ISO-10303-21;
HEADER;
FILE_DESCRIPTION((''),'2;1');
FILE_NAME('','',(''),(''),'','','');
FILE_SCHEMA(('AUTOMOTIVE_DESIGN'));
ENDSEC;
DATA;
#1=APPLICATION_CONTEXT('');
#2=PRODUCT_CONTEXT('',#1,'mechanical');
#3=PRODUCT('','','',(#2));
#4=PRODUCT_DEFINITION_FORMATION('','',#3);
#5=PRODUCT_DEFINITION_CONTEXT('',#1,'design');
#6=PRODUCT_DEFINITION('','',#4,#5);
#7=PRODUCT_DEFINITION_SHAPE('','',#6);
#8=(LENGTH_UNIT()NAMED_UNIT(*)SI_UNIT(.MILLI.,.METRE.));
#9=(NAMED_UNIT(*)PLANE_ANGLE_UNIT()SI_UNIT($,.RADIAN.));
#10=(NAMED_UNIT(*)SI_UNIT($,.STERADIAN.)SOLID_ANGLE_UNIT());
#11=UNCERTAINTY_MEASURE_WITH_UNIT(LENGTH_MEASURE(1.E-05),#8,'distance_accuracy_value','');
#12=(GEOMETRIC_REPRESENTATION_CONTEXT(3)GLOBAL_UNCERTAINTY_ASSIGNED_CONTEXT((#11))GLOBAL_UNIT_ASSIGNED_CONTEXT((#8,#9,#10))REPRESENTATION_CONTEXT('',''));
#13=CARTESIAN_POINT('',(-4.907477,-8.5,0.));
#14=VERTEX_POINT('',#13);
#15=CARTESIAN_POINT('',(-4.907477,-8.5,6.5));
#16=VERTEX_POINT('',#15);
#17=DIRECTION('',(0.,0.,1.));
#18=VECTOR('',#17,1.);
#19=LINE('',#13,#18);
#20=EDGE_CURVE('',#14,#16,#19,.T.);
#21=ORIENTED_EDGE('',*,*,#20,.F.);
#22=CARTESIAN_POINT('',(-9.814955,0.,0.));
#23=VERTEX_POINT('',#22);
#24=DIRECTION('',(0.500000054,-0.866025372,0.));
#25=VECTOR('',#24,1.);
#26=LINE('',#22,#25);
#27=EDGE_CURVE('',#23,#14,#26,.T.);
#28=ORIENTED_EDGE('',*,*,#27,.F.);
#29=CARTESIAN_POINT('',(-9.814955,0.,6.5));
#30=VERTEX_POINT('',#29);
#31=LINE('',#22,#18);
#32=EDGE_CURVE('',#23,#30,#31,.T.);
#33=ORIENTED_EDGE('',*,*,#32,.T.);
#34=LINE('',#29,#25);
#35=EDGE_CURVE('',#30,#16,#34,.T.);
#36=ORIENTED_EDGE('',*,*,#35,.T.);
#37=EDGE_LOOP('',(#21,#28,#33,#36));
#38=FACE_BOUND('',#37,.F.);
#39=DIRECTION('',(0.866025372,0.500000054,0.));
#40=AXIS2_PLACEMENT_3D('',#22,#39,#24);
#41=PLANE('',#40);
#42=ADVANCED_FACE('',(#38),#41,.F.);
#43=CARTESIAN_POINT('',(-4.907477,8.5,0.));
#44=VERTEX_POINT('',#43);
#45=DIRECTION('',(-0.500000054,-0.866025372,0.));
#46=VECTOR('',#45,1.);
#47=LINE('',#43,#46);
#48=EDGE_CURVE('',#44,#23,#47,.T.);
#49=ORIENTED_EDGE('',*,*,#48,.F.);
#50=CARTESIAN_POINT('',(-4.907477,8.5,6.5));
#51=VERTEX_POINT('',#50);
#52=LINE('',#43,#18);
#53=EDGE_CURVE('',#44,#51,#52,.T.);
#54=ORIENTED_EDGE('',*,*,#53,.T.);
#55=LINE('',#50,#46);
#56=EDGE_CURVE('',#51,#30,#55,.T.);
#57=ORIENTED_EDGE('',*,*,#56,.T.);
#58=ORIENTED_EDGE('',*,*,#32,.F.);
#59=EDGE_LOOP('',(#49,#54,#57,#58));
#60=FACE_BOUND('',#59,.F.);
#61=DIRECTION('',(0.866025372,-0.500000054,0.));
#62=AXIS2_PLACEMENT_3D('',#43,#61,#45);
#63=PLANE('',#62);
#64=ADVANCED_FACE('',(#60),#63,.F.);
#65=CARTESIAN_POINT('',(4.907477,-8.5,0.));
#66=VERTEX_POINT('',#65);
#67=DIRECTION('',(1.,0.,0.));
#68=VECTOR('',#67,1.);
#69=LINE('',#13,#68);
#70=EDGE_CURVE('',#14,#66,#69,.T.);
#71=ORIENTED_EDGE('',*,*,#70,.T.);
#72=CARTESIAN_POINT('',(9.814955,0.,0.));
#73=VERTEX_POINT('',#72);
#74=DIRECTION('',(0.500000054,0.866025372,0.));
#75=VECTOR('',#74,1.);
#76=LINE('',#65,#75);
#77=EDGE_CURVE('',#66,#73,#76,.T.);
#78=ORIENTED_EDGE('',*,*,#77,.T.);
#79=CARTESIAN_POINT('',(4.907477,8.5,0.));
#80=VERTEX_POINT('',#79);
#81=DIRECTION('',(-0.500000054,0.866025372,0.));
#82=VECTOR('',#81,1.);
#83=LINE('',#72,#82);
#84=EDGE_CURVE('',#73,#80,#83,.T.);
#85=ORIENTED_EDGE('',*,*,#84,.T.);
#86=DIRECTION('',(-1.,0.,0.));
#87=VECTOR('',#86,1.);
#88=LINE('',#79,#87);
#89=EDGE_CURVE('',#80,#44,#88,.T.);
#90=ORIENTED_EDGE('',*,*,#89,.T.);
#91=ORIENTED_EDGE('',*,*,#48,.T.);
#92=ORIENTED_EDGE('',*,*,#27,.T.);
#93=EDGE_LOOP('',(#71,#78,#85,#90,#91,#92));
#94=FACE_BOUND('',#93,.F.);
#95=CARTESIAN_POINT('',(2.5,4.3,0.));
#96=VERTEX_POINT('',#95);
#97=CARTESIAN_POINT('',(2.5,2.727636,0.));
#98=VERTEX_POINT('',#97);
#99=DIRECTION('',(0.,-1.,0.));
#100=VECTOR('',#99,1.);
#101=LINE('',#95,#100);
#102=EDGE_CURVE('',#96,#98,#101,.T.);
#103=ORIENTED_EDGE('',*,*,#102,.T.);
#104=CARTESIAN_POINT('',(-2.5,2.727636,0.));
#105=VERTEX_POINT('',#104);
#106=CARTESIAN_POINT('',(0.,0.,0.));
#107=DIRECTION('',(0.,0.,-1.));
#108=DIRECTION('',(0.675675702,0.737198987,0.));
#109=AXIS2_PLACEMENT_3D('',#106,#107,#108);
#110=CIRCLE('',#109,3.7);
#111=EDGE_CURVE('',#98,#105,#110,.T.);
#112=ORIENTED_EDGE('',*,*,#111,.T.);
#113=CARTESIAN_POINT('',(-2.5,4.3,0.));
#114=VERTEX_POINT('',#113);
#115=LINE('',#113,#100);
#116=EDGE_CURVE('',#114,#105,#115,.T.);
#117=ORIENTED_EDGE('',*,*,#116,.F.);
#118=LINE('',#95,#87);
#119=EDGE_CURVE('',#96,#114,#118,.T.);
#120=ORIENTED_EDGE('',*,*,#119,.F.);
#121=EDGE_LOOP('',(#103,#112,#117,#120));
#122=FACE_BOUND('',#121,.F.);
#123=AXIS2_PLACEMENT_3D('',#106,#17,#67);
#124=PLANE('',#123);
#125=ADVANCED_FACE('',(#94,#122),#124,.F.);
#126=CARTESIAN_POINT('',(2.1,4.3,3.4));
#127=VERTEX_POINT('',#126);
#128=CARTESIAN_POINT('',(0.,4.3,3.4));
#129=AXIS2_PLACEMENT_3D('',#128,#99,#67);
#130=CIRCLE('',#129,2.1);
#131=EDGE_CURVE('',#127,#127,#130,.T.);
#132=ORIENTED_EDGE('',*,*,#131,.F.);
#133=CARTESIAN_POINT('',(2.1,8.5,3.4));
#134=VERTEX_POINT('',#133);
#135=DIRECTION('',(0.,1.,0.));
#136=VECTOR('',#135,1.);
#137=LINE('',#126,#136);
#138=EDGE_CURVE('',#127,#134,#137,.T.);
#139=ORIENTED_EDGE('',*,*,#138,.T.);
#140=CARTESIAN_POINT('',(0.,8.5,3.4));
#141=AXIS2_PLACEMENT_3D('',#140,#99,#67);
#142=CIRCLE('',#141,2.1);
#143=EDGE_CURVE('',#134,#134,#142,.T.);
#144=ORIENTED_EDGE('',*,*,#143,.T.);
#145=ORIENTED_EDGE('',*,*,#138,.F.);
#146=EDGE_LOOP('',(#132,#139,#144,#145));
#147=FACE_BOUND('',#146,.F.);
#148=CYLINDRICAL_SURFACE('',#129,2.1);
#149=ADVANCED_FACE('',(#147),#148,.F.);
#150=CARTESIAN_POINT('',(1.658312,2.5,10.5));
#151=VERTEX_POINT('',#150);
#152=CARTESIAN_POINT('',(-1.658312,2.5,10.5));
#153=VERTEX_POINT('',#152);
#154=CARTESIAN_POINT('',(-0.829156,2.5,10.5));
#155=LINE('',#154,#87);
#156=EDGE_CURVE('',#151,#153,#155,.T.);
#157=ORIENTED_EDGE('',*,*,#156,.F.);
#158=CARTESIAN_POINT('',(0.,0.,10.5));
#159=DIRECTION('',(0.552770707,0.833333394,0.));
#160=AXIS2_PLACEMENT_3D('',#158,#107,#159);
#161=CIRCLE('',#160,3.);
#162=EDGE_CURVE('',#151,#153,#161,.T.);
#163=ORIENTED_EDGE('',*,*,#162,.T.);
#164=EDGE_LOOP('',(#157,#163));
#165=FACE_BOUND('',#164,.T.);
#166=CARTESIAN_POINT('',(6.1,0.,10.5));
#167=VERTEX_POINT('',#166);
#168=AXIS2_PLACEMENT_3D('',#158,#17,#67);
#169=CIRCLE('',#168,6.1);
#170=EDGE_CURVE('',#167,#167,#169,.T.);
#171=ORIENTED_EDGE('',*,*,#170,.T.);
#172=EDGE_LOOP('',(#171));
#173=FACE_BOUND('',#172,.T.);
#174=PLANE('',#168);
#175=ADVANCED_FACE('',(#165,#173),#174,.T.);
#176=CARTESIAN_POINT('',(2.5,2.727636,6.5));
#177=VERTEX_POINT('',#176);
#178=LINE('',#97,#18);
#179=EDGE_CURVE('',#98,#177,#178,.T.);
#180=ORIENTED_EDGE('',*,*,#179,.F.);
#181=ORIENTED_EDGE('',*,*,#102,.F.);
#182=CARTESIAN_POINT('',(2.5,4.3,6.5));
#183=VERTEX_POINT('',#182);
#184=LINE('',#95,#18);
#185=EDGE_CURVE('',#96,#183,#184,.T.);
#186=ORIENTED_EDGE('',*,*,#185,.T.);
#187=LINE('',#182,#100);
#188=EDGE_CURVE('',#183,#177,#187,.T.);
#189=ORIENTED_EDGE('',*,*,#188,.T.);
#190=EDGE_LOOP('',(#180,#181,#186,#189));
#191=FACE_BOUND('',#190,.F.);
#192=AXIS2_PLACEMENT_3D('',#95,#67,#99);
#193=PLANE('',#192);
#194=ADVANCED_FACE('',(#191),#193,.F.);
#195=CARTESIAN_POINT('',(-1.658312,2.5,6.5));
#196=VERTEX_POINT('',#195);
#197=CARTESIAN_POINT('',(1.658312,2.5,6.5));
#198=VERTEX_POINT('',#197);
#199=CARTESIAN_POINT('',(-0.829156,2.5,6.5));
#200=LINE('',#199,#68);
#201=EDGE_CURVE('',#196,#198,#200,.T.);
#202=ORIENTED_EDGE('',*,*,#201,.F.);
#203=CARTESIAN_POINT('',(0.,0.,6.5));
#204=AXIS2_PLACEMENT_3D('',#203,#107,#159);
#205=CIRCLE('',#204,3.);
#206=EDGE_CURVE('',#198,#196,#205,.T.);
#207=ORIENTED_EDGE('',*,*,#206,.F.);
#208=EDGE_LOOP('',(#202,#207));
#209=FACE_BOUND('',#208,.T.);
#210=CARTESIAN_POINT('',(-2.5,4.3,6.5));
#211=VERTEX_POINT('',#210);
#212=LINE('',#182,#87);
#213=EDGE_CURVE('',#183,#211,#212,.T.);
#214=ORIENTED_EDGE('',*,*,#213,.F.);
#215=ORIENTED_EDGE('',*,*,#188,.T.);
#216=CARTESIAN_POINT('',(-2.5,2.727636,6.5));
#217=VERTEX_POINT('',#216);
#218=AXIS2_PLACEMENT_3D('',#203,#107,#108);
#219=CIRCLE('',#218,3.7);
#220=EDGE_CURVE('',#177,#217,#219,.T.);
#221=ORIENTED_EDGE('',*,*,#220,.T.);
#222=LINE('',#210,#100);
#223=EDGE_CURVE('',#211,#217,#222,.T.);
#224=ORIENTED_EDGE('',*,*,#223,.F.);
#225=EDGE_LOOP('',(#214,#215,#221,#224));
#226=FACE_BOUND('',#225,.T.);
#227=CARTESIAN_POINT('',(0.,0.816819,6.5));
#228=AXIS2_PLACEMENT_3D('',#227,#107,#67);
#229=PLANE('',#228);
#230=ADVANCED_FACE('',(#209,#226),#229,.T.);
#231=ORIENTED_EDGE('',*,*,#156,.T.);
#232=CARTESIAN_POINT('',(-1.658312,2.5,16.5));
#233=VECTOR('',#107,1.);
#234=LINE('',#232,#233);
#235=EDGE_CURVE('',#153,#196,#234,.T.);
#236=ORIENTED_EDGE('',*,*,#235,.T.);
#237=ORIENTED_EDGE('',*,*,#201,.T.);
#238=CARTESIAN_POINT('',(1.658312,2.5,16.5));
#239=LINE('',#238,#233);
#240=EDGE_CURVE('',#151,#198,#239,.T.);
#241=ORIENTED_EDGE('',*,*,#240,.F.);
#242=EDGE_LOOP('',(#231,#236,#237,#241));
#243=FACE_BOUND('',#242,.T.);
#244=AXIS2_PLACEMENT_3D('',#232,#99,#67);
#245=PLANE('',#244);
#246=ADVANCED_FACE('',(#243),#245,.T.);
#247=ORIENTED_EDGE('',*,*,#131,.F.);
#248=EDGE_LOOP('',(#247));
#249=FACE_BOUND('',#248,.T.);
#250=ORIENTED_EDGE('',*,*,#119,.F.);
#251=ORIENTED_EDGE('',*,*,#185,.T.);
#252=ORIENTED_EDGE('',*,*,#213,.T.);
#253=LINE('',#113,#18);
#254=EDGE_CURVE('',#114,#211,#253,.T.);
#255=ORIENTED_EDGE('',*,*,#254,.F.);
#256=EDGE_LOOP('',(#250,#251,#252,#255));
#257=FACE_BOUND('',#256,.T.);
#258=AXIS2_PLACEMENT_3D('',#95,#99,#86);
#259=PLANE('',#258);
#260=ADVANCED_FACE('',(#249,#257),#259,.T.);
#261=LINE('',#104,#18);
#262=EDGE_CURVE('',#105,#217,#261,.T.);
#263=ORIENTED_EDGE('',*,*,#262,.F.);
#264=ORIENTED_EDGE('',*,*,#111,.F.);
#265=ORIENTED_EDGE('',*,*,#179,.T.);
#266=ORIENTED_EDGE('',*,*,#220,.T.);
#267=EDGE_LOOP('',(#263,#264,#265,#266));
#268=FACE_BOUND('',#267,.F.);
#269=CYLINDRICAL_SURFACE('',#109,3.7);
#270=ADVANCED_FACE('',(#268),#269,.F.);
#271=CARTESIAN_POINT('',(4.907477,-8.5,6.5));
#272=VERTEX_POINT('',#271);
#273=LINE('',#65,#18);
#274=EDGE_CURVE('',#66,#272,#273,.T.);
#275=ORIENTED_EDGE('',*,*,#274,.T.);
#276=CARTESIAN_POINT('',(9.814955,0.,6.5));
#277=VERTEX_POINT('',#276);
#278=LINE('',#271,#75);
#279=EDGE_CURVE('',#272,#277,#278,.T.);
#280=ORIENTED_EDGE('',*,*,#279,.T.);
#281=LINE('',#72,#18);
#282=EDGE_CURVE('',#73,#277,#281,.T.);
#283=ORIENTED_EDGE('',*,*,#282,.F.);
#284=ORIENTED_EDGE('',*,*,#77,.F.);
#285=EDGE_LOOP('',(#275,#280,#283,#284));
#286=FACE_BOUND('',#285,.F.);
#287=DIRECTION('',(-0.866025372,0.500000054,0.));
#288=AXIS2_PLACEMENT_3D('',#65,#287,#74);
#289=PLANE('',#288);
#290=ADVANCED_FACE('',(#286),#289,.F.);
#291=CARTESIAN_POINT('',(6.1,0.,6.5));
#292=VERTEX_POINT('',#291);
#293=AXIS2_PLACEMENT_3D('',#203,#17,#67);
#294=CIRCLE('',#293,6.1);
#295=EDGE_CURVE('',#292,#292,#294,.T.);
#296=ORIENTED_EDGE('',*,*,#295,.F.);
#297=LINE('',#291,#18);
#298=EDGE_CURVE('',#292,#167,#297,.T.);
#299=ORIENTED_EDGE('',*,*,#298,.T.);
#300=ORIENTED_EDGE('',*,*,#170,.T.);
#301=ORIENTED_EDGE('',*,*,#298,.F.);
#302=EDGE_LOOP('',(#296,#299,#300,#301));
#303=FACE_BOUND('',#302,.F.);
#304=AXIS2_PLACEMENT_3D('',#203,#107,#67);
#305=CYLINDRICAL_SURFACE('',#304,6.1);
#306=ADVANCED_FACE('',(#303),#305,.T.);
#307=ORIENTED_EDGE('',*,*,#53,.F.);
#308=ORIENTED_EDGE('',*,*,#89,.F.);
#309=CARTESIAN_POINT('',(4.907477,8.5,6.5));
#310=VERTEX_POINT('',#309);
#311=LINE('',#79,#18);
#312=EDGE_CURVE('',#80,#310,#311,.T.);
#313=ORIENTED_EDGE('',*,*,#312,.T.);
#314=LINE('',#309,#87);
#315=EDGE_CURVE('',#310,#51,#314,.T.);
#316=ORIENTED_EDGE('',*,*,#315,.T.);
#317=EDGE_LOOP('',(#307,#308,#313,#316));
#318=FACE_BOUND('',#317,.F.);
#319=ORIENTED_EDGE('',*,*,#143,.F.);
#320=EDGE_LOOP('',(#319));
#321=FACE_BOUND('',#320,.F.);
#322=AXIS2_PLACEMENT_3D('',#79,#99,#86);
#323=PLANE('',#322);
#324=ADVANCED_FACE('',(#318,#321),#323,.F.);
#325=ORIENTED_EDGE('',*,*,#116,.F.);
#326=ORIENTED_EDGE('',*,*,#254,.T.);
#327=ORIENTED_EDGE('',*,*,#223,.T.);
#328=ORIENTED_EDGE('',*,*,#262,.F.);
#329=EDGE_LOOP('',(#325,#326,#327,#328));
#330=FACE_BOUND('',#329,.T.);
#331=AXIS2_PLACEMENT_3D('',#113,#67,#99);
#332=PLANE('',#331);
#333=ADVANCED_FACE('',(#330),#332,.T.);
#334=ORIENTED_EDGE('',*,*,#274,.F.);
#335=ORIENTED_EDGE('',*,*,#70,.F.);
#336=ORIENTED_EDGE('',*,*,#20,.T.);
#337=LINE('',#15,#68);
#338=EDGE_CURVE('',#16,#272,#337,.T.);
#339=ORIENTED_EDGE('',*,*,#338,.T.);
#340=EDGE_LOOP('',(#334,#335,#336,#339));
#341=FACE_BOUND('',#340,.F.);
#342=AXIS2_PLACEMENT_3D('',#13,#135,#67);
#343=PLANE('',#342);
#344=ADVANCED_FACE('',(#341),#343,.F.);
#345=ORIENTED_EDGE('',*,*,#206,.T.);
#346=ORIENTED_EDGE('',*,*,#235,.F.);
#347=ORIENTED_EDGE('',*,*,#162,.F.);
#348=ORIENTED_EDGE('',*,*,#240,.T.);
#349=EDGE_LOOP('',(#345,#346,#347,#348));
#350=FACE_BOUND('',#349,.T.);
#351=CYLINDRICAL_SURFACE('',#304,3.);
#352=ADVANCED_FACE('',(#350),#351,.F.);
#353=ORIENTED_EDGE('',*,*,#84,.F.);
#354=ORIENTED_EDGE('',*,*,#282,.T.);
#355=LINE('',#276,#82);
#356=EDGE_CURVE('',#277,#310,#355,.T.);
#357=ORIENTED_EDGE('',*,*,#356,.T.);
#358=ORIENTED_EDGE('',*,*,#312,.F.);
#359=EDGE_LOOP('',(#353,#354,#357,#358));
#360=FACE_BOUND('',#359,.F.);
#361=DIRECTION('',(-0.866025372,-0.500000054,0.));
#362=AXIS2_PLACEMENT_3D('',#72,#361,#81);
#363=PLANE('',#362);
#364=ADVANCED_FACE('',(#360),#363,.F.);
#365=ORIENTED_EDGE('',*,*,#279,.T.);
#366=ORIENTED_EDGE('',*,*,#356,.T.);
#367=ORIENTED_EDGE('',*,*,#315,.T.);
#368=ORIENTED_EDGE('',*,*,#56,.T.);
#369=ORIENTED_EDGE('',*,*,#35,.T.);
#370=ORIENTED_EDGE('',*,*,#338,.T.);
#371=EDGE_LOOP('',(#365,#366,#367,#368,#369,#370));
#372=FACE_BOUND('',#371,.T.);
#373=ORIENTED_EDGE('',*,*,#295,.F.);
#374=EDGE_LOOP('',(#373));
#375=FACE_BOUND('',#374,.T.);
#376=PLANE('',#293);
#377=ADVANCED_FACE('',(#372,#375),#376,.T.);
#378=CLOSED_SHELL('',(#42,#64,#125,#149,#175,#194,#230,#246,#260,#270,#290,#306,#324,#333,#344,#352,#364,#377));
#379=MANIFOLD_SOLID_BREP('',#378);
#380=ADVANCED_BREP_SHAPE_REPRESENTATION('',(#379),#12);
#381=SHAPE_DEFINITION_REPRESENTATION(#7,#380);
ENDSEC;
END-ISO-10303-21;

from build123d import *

# Parameters (mm, degrees)
SKETCH_R        = 3
PAD_DEPTH       = 6.5
SKETCH001_R     = 6.1
SKETCH001_R_2   = 3
PAD001_DEPTH    = 10
PAD002_DEPTH    = 13
SKETCH003_R     = 6.1
POCKET_DEPTH    = 6
POCKET001_DEPTH = 6.5
SKETCH005_R     = 2.1
POCKET002_DEPTH = 4.201


with BuildPart() as part:
    # Sketch → Pad (new body)
    with BuildSketch(Plane.XY):
        Polygon((9.814955, 0), (4.907477, 8.5), (-4.907477, 8.5), (-9.814955, 0), (-4.907477, -8.5), (4.907477, -8.5), align=None)
        Circle(SKETCH_R, mode=Mode.SUBTRACT)
    extrude(amount=PAD_DEPTH)

    # Sketch001 (on Face9 of Pad) → Pad001 (join)
    with BuildSketch(Plane.XY.offset(6.5)):
        Circle(SKETCH001_R)
        Circle(SKETCH001_R_2, mode=Mode.SUBTRACT)
    extrude(amount=PAD001_DEPTH)

    # Sketch002 (on Face12 of Pad001) → Pad002 (join)
    with BuildSketch(Plane.XY.offset(16.5)):
        with BuildLine():
            Line((-1.658312, 2.5), (1.658312, 2.5))
            ThreePointArc((1.658312, 2.5), (0, 3), (-1.658312, 2.5))
        make_face()
    extrude(amount=-PAD002_DEPTH)

    # Sketch003 (on Face15 of Pad002) → Pocket (cut)
    with BuildSketch(Plane.XY.offset(16.5)):
        Circle(SKETCH003_R)
    extrude(amount=-POCKET_DEPTH, mode=Mode.SUBTRACT)

    # Sketch004 (on Face4 of Pocket) → Pocket001 (cut)
    with BuildSketch(Plane(origin=(0, 0, 0), x_dir=(1, 0, 0), z_dir=(0, 0, -1))):
        with BuildLine():
            ThreePointArc((2.5, -2.727636), (0, 3.7), (-2.5, -2.727636))
            Line((-2.5, -4.3), (-2.5, -2.727636))
            Line((2.5, -4.3), (-2.5, -4.3))
            Line((2.5, -4.3), (2.5, -2.727636))
        make_face()
    extrude(amount=-POCKET001_DEPTH, mode=Mode.SUBTRACT)

    # Sketch005 (on Face9 of Pocket001) → Pocket002 (cut, through all)
    with BuildSketch(Plane.XZ.offset(-4.3)):
        with Locations((0, 3.4)):
            Circle(SKETCH005_R)
    extrude(amount=-POCKET002_DEPTH, mode=Mode.SUBTRACT)


solid = part.part
